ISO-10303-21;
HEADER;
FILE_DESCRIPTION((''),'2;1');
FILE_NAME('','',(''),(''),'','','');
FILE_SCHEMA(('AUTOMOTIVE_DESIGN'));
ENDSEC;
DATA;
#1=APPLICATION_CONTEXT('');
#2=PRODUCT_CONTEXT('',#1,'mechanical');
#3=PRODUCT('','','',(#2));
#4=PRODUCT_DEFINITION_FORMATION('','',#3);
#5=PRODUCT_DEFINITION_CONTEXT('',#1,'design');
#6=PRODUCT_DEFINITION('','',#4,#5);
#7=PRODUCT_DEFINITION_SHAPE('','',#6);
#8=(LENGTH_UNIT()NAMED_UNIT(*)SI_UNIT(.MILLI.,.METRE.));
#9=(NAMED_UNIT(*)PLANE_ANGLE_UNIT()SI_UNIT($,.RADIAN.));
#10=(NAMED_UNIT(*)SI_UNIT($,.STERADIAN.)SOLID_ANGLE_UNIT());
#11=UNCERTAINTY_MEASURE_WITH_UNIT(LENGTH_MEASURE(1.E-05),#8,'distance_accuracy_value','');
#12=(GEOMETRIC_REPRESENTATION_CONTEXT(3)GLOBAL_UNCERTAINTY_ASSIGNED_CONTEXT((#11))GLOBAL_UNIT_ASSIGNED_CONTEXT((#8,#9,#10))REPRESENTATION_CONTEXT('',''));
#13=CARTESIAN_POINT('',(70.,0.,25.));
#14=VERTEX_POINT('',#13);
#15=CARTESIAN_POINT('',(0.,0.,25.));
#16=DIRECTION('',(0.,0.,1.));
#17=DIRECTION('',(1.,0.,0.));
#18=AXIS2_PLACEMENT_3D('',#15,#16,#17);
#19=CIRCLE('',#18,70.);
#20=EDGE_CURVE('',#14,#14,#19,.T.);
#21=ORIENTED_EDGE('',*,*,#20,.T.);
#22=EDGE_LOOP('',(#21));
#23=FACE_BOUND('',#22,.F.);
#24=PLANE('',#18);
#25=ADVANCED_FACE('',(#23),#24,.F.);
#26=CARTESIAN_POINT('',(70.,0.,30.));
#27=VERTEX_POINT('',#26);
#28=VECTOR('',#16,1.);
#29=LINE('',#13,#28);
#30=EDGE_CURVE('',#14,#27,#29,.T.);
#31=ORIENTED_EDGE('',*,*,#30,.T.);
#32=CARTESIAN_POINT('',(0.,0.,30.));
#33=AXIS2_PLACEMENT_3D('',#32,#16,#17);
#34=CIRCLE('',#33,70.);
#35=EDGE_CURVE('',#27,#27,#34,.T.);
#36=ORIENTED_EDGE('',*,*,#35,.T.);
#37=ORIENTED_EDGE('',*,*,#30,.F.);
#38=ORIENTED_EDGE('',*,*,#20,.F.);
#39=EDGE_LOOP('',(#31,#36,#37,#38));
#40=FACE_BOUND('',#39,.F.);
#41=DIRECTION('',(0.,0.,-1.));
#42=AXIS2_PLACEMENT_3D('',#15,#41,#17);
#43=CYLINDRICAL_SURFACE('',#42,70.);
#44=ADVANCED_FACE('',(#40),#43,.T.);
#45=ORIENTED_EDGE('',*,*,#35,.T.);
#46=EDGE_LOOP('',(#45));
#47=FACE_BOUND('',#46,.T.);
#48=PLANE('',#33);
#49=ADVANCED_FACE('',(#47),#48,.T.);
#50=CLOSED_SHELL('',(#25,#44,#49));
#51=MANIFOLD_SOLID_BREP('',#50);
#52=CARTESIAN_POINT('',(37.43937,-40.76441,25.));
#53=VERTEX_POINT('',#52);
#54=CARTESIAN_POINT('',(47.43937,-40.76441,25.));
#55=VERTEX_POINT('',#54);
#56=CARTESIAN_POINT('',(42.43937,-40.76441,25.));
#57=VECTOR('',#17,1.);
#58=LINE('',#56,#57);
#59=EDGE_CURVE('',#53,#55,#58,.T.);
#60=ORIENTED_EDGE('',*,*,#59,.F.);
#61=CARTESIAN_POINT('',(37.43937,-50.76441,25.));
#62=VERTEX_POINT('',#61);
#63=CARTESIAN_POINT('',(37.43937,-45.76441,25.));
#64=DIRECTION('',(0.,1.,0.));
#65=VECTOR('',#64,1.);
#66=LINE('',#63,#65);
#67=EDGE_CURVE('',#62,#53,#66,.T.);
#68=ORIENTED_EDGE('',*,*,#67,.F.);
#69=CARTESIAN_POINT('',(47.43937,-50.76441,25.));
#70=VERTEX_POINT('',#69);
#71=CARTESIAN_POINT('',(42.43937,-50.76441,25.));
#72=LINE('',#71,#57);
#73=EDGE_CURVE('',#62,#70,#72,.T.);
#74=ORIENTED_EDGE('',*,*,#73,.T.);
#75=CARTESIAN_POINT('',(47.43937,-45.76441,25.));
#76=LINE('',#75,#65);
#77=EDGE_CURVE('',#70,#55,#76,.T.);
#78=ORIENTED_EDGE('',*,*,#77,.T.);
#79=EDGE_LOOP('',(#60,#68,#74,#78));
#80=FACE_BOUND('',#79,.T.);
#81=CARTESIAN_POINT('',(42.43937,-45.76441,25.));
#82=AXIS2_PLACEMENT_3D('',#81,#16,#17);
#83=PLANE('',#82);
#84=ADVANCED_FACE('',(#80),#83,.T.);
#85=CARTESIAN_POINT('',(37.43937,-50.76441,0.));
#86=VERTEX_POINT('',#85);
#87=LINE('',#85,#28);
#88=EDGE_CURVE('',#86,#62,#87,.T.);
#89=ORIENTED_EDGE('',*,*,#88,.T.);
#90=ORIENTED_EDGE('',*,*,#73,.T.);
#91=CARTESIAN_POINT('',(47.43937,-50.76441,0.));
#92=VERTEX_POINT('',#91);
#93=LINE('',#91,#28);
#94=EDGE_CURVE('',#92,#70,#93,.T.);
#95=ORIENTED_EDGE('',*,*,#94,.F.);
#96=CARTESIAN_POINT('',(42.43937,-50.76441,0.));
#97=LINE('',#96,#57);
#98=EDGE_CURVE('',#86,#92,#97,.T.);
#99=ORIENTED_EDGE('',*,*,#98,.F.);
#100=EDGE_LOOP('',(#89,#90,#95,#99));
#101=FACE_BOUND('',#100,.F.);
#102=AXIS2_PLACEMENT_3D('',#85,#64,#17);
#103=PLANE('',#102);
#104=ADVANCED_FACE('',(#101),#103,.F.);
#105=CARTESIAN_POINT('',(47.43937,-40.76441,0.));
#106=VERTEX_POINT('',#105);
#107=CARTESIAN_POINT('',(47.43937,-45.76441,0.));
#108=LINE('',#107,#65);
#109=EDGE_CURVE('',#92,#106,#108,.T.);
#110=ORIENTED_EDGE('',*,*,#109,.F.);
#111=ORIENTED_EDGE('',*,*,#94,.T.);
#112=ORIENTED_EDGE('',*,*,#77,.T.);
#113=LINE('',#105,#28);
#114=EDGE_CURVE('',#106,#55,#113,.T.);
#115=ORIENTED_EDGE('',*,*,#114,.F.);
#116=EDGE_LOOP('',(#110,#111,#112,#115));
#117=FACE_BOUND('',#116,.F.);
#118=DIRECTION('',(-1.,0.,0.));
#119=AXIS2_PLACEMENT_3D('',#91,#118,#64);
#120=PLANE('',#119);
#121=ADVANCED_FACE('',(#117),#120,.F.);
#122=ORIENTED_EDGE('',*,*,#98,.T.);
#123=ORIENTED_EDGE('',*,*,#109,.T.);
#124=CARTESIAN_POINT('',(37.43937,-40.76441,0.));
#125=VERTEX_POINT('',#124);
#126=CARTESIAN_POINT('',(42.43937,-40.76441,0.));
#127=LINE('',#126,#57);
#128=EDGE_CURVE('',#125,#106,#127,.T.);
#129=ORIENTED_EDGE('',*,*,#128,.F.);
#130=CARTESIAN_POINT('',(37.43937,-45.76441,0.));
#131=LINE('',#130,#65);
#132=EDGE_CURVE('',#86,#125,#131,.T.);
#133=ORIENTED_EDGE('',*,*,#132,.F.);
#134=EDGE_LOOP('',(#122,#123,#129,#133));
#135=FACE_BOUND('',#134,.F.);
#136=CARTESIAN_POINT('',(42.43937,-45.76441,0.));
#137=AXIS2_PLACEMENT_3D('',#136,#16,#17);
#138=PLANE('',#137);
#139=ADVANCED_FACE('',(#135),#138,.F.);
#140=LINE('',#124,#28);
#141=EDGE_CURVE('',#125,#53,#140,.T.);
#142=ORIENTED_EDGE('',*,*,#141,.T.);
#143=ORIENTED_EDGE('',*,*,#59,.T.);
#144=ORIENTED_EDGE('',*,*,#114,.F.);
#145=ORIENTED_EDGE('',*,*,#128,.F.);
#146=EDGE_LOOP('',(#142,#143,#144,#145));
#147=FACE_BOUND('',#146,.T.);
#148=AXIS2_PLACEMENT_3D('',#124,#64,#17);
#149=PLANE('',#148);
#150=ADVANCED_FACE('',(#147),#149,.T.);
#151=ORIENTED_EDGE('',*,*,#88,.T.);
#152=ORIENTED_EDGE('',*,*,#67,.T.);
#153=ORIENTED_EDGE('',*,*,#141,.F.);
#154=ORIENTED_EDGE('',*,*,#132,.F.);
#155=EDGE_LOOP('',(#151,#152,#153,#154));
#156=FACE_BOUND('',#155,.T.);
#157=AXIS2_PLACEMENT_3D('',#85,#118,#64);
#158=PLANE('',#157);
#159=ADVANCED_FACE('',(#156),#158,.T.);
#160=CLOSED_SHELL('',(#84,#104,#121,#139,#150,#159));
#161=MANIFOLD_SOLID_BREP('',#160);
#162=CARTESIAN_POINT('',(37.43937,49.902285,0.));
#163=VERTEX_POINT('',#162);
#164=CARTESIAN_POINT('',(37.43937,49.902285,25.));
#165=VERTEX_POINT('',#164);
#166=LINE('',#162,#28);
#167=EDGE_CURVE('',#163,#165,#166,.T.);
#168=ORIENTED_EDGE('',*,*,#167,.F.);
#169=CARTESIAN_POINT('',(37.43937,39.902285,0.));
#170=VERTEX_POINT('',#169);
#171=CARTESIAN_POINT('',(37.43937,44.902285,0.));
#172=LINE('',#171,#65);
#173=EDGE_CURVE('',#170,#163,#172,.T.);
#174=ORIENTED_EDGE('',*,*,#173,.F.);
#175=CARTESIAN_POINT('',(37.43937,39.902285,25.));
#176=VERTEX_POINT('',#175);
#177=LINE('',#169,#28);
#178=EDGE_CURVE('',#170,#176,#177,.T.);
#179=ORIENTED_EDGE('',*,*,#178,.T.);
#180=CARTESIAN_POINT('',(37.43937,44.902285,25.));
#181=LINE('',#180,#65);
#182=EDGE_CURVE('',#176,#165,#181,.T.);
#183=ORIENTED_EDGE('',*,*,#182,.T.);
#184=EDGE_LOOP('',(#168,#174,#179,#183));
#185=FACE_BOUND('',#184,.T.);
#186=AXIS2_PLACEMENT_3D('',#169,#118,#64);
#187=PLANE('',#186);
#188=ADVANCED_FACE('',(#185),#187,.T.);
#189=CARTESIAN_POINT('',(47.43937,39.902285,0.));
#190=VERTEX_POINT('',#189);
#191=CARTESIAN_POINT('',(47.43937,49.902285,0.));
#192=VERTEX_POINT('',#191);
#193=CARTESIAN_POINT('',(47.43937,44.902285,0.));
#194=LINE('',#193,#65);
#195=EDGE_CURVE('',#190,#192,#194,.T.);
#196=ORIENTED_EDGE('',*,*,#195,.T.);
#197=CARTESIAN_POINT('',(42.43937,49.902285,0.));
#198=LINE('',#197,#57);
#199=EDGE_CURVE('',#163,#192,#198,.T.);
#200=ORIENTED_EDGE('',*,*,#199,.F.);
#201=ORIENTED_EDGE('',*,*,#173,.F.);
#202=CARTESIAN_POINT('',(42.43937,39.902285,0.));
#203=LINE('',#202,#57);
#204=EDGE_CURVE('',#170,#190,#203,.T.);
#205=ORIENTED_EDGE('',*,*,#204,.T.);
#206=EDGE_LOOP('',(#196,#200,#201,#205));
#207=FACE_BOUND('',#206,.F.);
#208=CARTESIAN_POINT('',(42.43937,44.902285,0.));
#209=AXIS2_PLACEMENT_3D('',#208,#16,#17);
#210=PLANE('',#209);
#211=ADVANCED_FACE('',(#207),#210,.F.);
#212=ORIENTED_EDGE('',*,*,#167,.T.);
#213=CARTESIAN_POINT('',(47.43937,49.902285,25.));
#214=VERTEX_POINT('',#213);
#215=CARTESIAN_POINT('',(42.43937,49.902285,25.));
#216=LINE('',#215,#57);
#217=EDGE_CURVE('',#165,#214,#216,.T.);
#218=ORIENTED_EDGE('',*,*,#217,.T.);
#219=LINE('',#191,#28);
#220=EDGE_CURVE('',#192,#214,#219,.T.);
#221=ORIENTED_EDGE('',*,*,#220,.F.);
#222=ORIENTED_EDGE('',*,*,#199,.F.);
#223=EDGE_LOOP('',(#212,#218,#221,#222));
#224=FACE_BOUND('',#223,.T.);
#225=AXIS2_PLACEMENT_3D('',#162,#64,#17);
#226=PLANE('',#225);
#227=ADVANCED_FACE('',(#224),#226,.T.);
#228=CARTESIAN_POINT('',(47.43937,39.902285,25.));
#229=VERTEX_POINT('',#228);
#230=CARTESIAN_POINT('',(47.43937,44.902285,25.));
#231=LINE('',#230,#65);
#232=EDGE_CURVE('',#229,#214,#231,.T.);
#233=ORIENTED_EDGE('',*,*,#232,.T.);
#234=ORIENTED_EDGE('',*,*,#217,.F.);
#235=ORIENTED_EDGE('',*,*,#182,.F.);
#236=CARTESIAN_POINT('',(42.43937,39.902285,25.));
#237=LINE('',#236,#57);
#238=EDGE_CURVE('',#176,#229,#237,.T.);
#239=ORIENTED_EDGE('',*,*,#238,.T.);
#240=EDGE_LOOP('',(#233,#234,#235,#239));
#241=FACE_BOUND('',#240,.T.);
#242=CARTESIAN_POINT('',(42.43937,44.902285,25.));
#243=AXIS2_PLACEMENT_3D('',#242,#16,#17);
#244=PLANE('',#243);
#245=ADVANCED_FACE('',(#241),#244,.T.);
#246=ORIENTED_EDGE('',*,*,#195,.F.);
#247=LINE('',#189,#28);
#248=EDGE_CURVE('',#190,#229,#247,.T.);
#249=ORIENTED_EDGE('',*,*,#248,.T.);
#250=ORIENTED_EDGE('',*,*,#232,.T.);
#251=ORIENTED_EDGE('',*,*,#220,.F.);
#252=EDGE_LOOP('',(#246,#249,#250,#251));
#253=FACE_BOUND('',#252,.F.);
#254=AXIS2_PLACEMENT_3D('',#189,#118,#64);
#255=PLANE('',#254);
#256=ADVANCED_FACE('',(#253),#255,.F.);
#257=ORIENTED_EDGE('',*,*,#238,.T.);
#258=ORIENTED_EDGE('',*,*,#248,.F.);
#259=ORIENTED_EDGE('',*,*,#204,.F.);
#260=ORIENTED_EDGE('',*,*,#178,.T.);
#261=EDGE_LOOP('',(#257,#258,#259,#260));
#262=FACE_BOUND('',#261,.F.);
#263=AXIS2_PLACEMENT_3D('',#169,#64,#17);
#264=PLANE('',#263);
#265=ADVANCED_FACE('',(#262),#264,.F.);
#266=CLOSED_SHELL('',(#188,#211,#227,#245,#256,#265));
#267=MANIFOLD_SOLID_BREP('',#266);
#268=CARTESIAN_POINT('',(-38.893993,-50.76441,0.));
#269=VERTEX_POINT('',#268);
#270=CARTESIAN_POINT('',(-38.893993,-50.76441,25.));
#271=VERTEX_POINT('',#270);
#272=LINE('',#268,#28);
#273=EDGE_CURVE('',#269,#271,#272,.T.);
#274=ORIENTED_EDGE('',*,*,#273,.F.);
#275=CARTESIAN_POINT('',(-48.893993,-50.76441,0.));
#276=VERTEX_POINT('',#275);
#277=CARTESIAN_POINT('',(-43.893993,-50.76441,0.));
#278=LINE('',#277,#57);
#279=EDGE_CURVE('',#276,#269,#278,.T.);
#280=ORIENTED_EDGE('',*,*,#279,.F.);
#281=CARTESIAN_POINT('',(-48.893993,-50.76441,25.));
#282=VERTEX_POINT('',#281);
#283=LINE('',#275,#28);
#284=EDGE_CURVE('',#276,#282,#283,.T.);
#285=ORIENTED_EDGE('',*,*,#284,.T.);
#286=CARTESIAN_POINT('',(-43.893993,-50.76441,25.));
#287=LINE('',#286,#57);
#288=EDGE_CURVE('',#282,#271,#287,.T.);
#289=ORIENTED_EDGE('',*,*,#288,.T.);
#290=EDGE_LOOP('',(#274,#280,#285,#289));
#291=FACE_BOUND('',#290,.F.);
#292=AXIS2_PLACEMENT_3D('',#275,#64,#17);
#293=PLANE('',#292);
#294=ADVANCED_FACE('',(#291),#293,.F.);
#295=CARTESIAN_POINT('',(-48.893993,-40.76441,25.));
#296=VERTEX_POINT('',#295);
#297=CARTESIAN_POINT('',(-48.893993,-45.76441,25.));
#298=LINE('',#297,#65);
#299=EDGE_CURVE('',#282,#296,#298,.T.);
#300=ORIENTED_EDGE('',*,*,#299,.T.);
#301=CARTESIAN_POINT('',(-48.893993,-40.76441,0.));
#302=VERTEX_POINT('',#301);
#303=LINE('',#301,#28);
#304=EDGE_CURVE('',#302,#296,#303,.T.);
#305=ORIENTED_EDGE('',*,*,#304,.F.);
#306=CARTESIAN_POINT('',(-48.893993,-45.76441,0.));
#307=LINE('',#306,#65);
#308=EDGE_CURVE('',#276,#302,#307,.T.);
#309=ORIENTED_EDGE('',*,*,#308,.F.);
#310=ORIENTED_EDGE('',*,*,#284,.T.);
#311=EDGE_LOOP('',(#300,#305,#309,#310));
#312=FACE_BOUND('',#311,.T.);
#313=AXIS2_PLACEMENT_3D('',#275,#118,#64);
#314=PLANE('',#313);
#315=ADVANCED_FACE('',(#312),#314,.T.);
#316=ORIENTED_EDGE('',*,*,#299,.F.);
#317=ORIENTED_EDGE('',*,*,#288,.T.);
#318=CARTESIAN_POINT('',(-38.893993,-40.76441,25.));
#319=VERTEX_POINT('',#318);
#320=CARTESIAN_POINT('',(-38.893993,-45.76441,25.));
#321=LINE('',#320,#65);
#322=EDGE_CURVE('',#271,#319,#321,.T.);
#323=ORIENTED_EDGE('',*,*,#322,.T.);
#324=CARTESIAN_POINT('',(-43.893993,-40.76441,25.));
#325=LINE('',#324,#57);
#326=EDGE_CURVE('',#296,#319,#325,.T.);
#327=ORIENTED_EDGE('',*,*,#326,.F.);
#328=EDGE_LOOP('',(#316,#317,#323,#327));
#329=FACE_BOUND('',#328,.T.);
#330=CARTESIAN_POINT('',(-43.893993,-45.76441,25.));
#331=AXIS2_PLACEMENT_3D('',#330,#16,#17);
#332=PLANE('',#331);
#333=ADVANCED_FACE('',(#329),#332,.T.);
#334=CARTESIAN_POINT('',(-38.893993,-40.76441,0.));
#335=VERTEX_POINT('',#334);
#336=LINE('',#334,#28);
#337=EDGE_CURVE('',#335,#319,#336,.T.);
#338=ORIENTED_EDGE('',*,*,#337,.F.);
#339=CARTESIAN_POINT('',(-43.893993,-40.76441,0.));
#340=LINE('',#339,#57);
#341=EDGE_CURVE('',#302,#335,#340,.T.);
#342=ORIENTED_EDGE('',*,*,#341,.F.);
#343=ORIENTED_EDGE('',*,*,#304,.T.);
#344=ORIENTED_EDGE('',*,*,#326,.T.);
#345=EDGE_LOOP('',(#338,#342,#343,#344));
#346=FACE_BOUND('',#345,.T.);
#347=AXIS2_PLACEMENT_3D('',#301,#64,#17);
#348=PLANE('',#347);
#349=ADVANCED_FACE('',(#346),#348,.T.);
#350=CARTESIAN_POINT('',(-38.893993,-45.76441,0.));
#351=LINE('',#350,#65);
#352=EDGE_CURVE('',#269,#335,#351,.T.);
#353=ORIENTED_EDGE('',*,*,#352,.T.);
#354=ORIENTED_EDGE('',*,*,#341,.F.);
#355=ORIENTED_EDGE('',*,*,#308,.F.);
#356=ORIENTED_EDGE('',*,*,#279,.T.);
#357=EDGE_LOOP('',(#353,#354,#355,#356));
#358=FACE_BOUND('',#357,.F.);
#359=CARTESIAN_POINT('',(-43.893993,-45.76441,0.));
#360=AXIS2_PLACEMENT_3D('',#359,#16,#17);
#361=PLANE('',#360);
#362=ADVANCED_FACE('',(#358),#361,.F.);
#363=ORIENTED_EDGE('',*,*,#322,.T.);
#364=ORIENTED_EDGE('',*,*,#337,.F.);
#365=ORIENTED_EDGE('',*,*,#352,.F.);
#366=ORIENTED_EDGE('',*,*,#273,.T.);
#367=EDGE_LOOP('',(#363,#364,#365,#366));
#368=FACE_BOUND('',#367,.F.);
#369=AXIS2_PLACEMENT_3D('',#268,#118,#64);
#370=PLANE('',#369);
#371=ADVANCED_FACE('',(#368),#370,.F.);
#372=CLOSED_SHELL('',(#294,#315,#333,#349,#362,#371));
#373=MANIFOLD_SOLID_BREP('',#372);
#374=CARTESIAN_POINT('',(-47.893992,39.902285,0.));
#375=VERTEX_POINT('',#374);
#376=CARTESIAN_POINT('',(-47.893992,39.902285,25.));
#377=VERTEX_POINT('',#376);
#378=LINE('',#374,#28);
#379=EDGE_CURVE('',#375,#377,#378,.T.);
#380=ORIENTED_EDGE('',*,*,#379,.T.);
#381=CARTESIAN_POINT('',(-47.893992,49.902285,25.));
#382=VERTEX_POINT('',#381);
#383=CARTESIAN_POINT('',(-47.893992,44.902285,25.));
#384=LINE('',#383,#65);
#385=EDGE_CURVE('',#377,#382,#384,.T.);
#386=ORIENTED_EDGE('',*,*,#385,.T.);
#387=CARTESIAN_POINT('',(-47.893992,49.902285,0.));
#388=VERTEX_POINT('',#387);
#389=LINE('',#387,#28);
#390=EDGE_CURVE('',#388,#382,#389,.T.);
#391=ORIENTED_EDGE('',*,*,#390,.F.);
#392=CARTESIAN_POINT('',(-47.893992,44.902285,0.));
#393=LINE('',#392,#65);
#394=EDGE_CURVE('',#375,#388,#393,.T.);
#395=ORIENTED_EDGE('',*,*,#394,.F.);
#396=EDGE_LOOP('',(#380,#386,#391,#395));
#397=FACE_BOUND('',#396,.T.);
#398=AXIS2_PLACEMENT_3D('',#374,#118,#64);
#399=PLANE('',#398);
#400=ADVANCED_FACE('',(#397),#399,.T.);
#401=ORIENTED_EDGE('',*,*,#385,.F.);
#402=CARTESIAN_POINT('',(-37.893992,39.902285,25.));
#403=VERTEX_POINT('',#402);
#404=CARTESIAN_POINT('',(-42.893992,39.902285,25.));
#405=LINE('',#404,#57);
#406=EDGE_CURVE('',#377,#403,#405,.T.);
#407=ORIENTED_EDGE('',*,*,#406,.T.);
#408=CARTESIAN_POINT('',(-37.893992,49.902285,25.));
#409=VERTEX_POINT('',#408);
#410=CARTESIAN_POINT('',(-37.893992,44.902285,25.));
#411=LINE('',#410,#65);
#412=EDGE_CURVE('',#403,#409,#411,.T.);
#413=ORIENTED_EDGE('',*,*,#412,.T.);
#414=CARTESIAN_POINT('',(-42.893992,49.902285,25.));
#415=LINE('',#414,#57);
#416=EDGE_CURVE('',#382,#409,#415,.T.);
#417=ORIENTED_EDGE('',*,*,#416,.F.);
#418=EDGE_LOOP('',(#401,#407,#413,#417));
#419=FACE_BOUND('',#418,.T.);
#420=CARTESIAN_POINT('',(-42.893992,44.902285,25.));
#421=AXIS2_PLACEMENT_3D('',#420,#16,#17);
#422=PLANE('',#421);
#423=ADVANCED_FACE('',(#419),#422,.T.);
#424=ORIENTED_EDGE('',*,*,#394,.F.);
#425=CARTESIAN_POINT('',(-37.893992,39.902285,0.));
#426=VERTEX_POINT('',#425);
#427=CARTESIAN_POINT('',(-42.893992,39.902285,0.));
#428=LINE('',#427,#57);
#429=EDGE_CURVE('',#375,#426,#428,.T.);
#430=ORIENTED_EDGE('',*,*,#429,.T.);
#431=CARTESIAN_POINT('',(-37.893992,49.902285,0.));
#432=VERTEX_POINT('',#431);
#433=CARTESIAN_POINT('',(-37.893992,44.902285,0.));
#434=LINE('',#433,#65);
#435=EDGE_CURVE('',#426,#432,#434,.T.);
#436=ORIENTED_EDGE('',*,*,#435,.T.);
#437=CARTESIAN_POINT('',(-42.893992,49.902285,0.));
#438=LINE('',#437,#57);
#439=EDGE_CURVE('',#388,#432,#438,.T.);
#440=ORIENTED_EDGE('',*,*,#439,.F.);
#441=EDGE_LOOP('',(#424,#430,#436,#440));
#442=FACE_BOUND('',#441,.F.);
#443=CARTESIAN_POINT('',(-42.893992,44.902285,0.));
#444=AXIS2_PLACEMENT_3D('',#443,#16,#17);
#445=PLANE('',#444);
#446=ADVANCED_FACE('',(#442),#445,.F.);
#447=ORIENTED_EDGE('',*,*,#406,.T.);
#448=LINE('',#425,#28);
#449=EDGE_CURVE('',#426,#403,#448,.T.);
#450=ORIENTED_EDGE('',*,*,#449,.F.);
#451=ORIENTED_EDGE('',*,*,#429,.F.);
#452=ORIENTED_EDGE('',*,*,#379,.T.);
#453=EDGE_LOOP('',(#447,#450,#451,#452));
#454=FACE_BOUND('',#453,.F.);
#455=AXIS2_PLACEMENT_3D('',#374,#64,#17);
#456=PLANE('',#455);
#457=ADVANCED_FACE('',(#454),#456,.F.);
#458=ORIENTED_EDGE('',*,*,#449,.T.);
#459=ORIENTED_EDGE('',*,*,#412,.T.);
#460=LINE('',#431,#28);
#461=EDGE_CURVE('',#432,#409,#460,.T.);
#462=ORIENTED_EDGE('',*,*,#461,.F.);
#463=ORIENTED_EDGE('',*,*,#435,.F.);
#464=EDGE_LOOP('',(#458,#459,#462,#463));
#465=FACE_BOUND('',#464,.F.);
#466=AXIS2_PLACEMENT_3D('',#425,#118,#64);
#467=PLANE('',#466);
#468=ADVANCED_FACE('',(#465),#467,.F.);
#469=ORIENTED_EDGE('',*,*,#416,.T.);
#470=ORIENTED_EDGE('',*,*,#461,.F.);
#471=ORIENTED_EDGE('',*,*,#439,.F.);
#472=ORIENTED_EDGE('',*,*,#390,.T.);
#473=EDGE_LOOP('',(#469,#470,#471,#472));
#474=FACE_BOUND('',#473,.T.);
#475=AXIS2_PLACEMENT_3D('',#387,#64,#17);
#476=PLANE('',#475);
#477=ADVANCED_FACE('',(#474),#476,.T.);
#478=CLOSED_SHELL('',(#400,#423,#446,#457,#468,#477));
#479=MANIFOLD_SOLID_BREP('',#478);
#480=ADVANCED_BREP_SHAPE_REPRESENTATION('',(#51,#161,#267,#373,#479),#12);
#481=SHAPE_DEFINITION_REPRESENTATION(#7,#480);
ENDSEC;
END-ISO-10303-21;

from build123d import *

# Parameters (mm, degrees)
F0_W     = 10
F0_H     = 10
F1_DEPTH = 25
F2_R     = 70
F3_DEPTH = 5


with BuildPart() as f1:
    # F0 (on Top) → F1 (new body)
    with BuildSketch(Plane.XY):
        with Locations((-42.893992, 44.902285)):
            Rectangle(F0_W, F0_H)
        with Locations((42.43937, 44.902285)):
            Rectangle(F0_W, F0_H)
        with Locations((42.43937, -45.76441)):
            Rectangle(F0_W, F0_H)
        with Locations((-43.893993, -45.76441)):
            Rectangle(F0_W, F0_H)
    extrude(amount=F1_DEPTH)


with BuildPart() as f3:
    # F2 (on face) → F3 (new body)
    with BuildSketch(Plane.XY.offset(25)):
        Circle(F2_R)
    extrude(amount=F3_DEPTH)


solid = Compound([f1.part, f3.part])
